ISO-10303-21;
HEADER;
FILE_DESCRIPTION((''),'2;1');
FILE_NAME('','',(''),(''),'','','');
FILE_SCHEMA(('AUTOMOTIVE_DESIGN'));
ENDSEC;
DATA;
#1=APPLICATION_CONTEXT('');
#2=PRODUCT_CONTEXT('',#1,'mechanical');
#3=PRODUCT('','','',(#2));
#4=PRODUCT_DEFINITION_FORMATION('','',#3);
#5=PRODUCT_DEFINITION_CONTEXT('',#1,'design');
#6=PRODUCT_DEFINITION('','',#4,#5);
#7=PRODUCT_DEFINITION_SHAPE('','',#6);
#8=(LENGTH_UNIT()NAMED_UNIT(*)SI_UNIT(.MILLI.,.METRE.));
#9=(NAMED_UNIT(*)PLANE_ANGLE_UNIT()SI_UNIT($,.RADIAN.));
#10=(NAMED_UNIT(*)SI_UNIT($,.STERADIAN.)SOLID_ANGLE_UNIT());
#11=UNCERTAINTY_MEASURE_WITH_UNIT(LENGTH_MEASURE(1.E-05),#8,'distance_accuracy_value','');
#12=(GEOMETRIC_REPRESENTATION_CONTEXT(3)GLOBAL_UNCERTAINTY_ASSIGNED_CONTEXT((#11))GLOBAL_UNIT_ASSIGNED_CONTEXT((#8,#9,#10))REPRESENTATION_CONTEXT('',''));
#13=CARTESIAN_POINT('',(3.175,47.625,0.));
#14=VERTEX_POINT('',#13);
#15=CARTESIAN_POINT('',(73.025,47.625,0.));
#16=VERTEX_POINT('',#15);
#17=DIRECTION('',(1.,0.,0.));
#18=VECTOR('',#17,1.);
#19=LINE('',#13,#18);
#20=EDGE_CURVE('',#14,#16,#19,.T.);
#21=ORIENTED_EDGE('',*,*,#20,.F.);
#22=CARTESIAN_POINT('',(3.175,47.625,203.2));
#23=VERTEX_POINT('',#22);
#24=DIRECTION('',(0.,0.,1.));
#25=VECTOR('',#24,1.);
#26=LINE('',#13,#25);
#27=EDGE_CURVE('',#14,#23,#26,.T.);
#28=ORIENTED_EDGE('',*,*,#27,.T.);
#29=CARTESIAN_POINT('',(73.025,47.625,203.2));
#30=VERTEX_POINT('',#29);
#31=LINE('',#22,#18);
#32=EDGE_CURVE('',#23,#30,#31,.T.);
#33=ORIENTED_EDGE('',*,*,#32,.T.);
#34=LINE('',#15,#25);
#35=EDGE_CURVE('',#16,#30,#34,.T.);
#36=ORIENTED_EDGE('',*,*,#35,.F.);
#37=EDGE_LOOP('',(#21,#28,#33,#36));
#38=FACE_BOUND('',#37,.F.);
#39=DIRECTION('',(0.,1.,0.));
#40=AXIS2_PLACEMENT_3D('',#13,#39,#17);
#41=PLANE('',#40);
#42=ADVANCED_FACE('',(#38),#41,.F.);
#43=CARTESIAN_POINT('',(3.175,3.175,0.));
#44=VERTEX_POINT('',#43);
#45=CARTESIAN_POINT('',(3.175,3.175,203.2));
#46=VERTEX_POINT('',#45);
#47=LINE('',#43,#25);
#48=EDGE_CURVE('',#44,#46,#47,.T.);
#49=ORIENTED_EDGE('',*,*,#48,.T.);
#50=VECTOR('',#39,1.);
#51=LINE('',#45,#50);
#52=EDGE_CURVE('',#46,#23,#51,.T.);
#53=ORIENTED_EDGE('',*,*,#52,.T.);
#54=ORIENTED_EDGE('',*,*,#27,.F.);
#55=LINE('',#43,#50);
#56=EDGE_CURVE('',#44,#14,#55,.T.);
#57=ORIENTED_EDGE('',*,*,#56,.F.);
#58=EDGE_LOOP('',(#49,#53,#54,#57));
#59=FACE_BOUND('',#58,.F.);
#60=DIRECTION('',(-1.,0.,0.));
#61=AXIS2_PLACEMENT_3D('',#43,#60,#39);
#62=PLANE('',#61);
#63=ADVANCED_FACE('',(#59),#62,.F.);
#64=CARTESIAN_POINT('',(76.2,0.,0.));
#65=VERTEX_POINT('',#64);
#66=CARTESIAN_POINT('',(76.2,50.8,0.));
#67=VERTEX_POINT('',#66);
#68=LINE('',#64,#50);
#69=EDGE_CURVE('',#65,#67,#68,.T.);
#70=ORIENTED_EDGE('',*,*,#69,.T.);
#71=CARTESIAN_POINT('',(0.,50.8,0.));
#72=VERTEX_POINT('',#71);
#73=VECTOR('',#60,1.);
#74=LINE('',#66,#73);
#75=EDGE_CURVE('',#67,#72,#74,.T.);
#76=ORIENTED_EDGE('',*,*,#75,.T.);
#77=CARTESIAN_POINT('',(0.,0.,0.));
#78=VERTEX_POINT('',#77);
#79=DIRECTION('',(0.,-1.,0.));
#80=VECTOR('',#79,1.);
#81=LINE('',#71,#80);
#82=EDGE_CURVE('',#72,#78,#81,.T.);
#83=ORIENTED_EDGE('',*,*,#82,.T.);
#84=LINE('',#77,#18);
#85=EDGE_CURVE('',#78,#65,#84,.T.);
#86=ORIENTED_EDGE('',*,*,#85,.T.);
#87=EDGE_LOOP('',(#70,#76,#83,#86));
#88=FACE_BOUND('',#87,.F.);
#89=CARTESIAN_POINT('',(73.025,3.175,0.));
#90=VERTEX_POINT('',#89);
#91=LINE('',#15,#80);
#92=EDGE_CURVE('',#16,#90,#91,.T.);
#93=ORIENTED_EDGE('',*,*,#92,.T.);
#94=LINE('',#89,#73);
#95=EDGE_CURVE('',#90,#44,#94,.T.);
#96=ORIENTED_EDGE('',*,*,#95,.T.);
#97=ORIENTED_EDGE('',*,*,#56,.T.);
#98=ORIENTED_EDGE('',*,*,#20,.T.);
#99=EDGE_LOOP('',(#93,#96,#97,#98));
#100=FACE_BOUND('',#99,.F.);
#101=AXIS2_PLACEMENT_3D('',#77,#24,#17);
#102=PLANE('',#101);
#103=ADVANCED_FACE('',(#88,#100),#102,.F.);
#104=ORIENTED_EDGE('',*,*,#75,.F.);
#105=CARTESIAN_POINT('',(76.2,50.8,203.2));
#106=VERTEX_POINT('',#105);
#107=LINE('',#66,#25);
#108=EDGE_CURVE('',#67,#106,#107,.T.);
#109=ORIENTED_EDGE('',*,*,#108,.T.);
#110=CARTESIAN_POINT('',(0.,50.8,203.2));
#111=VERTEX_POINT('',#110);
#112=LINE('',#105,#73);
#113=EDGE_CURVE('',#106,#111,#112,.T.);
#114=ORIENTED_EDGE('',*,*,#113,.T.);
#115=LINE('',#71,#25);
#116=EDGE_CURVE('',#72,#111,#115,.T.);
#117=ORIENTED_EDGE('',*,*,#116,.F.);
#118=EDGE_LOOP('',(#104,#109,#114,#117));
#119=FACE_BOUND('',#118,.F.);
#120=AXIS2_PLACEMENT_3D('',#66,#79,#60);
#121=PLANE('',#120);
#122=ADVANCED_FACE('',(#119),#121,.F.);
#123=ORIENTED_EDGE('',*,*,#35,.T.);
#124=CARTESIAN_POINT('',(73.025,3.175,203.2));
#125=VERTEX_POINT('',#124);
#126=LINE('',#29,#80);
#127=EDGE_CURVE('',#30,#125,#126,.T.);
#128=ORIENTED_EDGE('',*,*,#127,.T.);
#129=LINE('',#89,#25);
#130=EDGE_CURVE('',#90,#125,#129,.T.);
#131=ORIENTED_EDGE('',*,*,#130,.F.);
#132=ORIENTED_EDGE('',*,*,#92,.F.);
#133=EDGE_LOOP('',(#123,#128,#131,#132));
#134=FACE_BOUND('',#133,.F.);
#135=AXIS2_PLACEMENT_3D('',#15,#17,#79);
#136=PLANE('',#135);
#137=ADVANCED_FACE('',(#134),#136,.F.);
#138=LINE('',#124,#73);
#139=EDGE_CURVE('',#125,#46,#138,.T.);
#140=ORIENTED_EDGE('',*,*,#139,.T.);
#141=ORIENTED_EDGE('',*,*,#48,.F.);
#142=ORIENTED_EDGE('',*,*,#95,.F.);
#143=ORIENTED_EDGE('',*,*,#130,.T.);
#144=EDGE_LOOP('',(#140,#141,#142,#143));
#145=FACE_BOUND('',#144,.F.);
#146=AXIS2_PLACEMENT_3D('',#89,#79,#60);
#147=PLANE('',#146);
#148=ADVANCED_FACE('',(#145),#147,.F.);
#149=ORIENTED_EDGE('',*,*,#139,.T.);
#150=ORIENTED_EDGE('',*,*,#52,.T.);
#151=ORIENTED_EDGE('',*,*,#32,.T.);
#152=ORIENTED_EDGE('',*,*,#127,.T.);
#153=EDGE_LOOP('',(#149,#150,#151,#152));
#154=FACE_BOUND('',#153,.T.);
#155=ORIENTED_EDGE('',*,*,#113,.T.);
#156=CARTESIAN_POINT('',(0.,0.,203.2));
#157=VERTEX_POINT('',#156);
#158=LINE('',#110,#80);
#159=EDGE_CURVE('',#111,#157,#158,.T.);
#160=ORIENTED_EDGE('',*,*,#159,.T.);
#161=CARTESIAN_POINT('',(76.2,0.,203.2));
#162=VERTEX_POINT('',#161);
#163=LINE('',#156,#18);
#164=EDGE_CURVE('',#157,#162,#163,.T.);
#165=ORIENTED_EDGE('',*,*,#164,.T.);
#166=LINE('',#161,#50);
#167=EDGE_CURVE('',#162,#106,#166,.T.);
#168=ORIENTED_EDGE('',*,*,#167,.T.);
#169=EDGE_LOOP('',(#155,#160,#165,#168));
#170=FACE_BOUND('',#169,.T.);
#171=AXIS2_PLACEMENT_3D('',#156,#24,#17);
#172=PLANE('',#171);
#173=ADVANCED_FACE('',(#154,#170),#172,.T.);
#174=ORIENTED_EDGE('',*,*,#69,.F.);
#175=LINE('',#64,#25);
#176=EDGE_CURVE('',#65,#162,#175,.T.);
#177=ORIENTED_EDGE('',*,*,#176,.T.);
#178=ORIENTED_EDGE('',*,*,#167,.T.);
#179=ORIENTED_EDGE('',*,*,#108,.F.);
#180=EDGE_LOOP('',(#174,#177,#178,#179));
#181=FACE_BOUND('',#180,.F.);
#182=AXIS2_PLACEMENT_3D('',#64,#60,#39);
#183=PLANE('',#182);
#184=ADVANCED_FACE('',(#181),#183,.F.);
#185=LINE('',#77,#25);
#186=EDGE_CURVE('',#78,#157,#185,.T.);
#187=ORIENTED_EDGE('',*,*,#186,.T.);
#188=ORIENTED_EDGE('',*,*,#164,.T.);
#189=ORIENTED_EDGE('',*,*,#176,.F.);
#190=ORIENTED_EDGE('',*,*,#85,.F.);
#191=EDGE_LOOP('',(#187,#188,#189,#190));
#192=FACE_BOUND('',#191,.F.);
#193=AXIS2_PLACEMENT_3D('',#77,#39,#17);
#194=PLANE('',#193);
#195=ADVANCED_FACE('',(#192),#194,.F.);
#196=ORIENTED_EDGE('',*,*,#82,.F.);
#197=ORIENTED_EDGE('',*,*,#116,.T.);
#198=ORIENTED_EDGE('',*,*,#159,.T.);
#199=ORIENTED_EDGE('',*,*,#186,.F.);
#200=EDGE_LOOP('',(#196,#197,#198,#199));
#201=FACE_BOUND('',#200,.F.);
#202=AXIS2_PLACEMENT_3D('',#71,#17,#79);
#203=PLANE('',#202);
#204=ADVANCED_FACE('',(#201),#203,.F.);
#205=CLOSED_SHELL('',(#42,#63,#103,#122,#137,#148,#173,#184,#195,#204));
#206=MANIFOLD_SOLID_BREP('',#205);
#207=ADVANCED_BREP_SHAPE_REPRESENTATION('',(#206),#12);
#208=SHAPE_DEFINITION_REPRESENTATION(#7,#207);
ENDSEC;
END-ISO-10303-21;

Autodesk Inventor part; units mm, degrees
ref_plane "YZ Plane" through (0, 0, 0) normal (1, 0, 0) x (0, 1, 0)
ref_plane "XZ Plane" through (0, 0, 0) normal (0, 1, 0) x (-1, 0, 0)
ref_plane "XY Plane" through (0, 0, 0) normal (0, 0, 1) x (1, 0, 0)
sketch "Sketch1" plane through (0, 0, 0) normal (0, 0, 1) x (1, 0, 0)
  line L0 (0, 0) -> (76.2, 0)
  line L1 (76.2, 0) -> (76.2, 50.8)
  line L2 (76.2, 50.8) -> (0, 50.8)
  line L3 (0, 50.8) -> (0, 0)
  line L4 (3.175, 47.625) -> (73.025, 47.625)
  line L5 (73.025, 47.625) -> (73.025, 3.175)
  line L6 (73.025, 3.175) -> (3.175, 3.175)
  line L7 (3.175, 3.175) -> (3.175, 47.625)
  dimension "d0" = 76.2
  dimension "d1" = 50.8
  dimension "d2" = 3.175
extrude "Extrusion1" add sketch "Sketch1" along normal blind 203.2
properties part number "2x3x8"
